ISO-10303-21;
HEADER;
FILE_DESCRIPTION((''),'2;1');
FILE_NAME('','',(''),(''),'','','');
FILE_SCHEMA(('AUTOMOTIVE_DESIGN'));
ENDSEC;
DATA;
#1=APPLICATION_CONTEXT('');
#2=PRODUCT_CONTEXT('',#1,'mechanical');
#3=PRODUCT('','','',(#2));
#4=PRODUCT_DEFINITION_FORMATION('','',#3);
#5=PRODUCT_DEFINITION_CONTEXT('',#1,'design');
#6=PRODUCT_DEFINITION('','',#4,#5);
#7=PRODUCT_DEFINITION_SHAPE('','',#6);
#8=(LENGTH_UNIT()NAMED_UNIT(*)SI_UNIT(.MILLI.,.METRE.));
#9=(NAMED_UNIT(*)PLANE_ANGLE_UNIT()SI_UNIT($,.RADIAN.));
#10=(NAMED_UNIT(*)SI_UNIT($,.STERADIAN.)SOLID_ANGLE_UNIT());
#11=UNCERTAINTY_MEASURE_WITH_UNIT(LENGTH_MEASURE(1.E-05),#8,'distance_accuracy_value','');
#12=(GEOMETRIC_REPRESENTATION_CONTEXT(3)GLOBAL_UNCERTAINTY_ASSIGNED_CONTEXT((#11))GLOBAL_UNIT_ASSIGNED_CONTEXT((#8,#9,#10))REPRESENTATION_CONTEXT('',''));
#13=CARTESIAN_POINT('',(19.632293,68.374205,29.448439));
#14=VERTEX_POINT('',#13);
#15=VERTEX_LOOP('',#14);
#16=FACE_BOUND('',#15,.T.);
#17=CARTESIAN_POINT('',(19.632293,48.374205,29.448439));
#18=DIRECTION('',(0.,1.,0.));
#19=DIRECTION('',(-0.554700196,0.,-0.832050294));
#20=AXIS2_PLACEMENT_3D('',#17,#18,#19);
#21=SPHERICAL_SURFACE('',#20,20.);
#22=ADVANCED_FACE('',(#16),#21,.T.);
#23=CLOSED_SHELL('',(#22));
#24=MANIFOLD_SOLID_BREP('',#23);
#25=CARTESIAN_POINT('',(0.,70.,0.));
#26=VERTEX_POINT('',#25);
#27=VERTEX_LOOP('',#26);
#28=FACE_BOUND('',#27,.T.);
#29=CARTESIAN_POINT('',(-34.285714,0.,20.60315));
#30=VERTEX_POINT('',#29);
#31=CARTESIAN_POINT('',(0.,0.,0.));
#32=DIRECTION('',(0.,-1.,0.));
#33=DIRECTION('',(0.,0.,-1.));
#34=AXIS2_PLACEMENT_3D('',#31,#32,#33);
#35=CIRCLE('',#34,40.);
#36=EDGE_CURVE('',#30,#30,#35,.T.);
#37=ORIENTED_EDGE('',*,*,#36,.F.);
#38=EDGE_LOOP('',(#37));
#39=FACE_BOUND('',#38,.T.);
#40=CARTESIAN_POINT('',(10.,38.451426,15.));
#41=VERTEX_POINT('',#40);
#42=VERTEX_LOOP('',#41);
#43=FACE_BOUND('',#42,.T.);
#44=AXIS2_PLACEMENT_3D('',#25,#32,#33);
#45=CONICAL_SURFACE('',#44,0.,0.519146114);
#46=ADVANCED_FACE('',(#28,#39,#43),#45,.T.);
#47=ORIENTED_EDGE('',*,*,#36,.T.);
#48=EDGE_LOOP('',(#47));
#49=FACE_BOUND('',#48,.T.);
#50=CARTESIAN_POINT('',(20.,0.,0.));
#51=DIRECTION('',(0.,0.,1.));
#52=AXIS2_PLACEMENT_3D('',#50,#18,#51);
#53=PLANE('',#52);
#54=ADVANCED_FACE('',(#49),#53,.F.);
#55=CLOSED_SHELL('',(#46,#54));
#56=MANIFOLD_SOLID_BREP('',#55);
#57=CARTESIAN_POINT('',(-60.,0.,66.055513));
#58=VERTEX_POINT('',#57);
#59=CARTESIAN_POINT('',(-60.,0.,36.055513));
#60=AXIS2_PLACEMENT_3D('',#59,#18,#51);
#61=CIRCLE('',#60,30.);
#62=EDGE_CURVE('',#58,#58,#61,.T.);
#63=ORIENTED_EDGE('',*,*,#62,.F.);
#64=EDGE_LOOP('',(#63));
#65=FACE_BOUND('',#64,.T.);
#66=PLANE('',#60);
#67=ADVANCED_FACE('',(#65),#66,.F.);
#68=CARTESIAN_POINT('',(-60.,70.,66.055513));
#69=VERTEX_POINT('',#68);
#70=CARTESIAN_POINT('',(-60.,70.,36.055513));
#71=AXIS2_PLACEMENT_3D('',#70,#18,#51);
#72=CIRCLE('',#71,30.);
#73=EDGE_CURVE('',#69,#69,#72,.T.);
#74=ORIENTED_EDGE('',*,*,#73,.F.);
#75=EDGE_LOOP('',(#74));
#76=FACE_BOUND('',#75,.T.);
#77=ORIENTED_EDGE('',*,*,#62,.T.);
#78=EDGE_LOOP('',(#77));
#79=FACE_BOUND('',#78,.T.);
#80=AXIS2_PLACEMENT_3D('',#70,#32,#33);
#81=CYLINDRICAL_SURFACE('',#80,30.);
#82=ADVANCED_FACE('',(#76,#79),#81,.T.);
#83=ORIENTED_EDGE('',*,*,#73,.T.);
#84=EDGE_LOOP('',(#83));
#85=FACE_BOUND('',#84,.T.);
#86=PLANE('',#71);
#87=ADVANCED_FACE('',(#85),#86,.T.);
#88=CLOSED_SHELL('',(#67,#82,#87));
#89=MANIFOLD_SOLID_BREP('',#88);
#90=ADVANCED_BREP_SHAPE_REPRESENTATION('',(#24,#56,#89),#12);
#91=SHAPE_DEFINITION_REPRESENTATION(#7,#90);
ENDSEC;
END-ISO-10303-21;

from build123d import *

# Parameters (mm, degrees)
SKETCH1_R      = 30
EXTRUDE1_DEPTH = 70


with BuildPart() as part:
    # Sketch2 → Revolve1 (revolve)
    with BuildSketch(Plane.XY, mode=Mode.PRIVATE) as revolve1_sk:
        Polygon((40, 0), (0, 0), (0, 70), align=None)
    revolve(revolve1_sk.sketch.rotate(Axis((0, 0, 0), (0, 1, 0)), 90), axis=Axis((0, 0, 0), (0, 1, 0)))  # turned: the seam where the file's is


with BuildPart() as body_2:
    # Sketch1 → Extrude1 (new body)
    with BuildSketch(Plane(origin=(0, 0, 0), x_dir=(1, 0, 0), z_dir=(0, 1, 0))):
        with Locations(Location((-60, -36.055512755, 0), (0, 0, 270))):  # turned: the seam where the file's is
            Circle(SKETCH1_R)
    extrude(amount=EXTRUDE1_DEPTH)


with BuildPart() as body_3:
    # Sketch6 → Revolve2 (revolve)
    with BuildSketch(Plane(origin=(0, 0, 0), x_dir=(0.554700196, 0, 0.832050294), z_dir=(-0.832050294, 0, 0.554700196))):
        with BuildLine():
            Line((35.39261922, 68.374205107), (35.39261922, 28.374205107))
            ThreePointArc((35.39261922, 28.374205107), (15.39261922, 48.374205107), (35.39261922, 68.374205107))
        make_face()
    revolve(axis=Axis((19.632292826, 68.374205107, 29.448439239), (0, -1, 0)))


solid = Compound([part.part, body_2.part, body_3.part])
